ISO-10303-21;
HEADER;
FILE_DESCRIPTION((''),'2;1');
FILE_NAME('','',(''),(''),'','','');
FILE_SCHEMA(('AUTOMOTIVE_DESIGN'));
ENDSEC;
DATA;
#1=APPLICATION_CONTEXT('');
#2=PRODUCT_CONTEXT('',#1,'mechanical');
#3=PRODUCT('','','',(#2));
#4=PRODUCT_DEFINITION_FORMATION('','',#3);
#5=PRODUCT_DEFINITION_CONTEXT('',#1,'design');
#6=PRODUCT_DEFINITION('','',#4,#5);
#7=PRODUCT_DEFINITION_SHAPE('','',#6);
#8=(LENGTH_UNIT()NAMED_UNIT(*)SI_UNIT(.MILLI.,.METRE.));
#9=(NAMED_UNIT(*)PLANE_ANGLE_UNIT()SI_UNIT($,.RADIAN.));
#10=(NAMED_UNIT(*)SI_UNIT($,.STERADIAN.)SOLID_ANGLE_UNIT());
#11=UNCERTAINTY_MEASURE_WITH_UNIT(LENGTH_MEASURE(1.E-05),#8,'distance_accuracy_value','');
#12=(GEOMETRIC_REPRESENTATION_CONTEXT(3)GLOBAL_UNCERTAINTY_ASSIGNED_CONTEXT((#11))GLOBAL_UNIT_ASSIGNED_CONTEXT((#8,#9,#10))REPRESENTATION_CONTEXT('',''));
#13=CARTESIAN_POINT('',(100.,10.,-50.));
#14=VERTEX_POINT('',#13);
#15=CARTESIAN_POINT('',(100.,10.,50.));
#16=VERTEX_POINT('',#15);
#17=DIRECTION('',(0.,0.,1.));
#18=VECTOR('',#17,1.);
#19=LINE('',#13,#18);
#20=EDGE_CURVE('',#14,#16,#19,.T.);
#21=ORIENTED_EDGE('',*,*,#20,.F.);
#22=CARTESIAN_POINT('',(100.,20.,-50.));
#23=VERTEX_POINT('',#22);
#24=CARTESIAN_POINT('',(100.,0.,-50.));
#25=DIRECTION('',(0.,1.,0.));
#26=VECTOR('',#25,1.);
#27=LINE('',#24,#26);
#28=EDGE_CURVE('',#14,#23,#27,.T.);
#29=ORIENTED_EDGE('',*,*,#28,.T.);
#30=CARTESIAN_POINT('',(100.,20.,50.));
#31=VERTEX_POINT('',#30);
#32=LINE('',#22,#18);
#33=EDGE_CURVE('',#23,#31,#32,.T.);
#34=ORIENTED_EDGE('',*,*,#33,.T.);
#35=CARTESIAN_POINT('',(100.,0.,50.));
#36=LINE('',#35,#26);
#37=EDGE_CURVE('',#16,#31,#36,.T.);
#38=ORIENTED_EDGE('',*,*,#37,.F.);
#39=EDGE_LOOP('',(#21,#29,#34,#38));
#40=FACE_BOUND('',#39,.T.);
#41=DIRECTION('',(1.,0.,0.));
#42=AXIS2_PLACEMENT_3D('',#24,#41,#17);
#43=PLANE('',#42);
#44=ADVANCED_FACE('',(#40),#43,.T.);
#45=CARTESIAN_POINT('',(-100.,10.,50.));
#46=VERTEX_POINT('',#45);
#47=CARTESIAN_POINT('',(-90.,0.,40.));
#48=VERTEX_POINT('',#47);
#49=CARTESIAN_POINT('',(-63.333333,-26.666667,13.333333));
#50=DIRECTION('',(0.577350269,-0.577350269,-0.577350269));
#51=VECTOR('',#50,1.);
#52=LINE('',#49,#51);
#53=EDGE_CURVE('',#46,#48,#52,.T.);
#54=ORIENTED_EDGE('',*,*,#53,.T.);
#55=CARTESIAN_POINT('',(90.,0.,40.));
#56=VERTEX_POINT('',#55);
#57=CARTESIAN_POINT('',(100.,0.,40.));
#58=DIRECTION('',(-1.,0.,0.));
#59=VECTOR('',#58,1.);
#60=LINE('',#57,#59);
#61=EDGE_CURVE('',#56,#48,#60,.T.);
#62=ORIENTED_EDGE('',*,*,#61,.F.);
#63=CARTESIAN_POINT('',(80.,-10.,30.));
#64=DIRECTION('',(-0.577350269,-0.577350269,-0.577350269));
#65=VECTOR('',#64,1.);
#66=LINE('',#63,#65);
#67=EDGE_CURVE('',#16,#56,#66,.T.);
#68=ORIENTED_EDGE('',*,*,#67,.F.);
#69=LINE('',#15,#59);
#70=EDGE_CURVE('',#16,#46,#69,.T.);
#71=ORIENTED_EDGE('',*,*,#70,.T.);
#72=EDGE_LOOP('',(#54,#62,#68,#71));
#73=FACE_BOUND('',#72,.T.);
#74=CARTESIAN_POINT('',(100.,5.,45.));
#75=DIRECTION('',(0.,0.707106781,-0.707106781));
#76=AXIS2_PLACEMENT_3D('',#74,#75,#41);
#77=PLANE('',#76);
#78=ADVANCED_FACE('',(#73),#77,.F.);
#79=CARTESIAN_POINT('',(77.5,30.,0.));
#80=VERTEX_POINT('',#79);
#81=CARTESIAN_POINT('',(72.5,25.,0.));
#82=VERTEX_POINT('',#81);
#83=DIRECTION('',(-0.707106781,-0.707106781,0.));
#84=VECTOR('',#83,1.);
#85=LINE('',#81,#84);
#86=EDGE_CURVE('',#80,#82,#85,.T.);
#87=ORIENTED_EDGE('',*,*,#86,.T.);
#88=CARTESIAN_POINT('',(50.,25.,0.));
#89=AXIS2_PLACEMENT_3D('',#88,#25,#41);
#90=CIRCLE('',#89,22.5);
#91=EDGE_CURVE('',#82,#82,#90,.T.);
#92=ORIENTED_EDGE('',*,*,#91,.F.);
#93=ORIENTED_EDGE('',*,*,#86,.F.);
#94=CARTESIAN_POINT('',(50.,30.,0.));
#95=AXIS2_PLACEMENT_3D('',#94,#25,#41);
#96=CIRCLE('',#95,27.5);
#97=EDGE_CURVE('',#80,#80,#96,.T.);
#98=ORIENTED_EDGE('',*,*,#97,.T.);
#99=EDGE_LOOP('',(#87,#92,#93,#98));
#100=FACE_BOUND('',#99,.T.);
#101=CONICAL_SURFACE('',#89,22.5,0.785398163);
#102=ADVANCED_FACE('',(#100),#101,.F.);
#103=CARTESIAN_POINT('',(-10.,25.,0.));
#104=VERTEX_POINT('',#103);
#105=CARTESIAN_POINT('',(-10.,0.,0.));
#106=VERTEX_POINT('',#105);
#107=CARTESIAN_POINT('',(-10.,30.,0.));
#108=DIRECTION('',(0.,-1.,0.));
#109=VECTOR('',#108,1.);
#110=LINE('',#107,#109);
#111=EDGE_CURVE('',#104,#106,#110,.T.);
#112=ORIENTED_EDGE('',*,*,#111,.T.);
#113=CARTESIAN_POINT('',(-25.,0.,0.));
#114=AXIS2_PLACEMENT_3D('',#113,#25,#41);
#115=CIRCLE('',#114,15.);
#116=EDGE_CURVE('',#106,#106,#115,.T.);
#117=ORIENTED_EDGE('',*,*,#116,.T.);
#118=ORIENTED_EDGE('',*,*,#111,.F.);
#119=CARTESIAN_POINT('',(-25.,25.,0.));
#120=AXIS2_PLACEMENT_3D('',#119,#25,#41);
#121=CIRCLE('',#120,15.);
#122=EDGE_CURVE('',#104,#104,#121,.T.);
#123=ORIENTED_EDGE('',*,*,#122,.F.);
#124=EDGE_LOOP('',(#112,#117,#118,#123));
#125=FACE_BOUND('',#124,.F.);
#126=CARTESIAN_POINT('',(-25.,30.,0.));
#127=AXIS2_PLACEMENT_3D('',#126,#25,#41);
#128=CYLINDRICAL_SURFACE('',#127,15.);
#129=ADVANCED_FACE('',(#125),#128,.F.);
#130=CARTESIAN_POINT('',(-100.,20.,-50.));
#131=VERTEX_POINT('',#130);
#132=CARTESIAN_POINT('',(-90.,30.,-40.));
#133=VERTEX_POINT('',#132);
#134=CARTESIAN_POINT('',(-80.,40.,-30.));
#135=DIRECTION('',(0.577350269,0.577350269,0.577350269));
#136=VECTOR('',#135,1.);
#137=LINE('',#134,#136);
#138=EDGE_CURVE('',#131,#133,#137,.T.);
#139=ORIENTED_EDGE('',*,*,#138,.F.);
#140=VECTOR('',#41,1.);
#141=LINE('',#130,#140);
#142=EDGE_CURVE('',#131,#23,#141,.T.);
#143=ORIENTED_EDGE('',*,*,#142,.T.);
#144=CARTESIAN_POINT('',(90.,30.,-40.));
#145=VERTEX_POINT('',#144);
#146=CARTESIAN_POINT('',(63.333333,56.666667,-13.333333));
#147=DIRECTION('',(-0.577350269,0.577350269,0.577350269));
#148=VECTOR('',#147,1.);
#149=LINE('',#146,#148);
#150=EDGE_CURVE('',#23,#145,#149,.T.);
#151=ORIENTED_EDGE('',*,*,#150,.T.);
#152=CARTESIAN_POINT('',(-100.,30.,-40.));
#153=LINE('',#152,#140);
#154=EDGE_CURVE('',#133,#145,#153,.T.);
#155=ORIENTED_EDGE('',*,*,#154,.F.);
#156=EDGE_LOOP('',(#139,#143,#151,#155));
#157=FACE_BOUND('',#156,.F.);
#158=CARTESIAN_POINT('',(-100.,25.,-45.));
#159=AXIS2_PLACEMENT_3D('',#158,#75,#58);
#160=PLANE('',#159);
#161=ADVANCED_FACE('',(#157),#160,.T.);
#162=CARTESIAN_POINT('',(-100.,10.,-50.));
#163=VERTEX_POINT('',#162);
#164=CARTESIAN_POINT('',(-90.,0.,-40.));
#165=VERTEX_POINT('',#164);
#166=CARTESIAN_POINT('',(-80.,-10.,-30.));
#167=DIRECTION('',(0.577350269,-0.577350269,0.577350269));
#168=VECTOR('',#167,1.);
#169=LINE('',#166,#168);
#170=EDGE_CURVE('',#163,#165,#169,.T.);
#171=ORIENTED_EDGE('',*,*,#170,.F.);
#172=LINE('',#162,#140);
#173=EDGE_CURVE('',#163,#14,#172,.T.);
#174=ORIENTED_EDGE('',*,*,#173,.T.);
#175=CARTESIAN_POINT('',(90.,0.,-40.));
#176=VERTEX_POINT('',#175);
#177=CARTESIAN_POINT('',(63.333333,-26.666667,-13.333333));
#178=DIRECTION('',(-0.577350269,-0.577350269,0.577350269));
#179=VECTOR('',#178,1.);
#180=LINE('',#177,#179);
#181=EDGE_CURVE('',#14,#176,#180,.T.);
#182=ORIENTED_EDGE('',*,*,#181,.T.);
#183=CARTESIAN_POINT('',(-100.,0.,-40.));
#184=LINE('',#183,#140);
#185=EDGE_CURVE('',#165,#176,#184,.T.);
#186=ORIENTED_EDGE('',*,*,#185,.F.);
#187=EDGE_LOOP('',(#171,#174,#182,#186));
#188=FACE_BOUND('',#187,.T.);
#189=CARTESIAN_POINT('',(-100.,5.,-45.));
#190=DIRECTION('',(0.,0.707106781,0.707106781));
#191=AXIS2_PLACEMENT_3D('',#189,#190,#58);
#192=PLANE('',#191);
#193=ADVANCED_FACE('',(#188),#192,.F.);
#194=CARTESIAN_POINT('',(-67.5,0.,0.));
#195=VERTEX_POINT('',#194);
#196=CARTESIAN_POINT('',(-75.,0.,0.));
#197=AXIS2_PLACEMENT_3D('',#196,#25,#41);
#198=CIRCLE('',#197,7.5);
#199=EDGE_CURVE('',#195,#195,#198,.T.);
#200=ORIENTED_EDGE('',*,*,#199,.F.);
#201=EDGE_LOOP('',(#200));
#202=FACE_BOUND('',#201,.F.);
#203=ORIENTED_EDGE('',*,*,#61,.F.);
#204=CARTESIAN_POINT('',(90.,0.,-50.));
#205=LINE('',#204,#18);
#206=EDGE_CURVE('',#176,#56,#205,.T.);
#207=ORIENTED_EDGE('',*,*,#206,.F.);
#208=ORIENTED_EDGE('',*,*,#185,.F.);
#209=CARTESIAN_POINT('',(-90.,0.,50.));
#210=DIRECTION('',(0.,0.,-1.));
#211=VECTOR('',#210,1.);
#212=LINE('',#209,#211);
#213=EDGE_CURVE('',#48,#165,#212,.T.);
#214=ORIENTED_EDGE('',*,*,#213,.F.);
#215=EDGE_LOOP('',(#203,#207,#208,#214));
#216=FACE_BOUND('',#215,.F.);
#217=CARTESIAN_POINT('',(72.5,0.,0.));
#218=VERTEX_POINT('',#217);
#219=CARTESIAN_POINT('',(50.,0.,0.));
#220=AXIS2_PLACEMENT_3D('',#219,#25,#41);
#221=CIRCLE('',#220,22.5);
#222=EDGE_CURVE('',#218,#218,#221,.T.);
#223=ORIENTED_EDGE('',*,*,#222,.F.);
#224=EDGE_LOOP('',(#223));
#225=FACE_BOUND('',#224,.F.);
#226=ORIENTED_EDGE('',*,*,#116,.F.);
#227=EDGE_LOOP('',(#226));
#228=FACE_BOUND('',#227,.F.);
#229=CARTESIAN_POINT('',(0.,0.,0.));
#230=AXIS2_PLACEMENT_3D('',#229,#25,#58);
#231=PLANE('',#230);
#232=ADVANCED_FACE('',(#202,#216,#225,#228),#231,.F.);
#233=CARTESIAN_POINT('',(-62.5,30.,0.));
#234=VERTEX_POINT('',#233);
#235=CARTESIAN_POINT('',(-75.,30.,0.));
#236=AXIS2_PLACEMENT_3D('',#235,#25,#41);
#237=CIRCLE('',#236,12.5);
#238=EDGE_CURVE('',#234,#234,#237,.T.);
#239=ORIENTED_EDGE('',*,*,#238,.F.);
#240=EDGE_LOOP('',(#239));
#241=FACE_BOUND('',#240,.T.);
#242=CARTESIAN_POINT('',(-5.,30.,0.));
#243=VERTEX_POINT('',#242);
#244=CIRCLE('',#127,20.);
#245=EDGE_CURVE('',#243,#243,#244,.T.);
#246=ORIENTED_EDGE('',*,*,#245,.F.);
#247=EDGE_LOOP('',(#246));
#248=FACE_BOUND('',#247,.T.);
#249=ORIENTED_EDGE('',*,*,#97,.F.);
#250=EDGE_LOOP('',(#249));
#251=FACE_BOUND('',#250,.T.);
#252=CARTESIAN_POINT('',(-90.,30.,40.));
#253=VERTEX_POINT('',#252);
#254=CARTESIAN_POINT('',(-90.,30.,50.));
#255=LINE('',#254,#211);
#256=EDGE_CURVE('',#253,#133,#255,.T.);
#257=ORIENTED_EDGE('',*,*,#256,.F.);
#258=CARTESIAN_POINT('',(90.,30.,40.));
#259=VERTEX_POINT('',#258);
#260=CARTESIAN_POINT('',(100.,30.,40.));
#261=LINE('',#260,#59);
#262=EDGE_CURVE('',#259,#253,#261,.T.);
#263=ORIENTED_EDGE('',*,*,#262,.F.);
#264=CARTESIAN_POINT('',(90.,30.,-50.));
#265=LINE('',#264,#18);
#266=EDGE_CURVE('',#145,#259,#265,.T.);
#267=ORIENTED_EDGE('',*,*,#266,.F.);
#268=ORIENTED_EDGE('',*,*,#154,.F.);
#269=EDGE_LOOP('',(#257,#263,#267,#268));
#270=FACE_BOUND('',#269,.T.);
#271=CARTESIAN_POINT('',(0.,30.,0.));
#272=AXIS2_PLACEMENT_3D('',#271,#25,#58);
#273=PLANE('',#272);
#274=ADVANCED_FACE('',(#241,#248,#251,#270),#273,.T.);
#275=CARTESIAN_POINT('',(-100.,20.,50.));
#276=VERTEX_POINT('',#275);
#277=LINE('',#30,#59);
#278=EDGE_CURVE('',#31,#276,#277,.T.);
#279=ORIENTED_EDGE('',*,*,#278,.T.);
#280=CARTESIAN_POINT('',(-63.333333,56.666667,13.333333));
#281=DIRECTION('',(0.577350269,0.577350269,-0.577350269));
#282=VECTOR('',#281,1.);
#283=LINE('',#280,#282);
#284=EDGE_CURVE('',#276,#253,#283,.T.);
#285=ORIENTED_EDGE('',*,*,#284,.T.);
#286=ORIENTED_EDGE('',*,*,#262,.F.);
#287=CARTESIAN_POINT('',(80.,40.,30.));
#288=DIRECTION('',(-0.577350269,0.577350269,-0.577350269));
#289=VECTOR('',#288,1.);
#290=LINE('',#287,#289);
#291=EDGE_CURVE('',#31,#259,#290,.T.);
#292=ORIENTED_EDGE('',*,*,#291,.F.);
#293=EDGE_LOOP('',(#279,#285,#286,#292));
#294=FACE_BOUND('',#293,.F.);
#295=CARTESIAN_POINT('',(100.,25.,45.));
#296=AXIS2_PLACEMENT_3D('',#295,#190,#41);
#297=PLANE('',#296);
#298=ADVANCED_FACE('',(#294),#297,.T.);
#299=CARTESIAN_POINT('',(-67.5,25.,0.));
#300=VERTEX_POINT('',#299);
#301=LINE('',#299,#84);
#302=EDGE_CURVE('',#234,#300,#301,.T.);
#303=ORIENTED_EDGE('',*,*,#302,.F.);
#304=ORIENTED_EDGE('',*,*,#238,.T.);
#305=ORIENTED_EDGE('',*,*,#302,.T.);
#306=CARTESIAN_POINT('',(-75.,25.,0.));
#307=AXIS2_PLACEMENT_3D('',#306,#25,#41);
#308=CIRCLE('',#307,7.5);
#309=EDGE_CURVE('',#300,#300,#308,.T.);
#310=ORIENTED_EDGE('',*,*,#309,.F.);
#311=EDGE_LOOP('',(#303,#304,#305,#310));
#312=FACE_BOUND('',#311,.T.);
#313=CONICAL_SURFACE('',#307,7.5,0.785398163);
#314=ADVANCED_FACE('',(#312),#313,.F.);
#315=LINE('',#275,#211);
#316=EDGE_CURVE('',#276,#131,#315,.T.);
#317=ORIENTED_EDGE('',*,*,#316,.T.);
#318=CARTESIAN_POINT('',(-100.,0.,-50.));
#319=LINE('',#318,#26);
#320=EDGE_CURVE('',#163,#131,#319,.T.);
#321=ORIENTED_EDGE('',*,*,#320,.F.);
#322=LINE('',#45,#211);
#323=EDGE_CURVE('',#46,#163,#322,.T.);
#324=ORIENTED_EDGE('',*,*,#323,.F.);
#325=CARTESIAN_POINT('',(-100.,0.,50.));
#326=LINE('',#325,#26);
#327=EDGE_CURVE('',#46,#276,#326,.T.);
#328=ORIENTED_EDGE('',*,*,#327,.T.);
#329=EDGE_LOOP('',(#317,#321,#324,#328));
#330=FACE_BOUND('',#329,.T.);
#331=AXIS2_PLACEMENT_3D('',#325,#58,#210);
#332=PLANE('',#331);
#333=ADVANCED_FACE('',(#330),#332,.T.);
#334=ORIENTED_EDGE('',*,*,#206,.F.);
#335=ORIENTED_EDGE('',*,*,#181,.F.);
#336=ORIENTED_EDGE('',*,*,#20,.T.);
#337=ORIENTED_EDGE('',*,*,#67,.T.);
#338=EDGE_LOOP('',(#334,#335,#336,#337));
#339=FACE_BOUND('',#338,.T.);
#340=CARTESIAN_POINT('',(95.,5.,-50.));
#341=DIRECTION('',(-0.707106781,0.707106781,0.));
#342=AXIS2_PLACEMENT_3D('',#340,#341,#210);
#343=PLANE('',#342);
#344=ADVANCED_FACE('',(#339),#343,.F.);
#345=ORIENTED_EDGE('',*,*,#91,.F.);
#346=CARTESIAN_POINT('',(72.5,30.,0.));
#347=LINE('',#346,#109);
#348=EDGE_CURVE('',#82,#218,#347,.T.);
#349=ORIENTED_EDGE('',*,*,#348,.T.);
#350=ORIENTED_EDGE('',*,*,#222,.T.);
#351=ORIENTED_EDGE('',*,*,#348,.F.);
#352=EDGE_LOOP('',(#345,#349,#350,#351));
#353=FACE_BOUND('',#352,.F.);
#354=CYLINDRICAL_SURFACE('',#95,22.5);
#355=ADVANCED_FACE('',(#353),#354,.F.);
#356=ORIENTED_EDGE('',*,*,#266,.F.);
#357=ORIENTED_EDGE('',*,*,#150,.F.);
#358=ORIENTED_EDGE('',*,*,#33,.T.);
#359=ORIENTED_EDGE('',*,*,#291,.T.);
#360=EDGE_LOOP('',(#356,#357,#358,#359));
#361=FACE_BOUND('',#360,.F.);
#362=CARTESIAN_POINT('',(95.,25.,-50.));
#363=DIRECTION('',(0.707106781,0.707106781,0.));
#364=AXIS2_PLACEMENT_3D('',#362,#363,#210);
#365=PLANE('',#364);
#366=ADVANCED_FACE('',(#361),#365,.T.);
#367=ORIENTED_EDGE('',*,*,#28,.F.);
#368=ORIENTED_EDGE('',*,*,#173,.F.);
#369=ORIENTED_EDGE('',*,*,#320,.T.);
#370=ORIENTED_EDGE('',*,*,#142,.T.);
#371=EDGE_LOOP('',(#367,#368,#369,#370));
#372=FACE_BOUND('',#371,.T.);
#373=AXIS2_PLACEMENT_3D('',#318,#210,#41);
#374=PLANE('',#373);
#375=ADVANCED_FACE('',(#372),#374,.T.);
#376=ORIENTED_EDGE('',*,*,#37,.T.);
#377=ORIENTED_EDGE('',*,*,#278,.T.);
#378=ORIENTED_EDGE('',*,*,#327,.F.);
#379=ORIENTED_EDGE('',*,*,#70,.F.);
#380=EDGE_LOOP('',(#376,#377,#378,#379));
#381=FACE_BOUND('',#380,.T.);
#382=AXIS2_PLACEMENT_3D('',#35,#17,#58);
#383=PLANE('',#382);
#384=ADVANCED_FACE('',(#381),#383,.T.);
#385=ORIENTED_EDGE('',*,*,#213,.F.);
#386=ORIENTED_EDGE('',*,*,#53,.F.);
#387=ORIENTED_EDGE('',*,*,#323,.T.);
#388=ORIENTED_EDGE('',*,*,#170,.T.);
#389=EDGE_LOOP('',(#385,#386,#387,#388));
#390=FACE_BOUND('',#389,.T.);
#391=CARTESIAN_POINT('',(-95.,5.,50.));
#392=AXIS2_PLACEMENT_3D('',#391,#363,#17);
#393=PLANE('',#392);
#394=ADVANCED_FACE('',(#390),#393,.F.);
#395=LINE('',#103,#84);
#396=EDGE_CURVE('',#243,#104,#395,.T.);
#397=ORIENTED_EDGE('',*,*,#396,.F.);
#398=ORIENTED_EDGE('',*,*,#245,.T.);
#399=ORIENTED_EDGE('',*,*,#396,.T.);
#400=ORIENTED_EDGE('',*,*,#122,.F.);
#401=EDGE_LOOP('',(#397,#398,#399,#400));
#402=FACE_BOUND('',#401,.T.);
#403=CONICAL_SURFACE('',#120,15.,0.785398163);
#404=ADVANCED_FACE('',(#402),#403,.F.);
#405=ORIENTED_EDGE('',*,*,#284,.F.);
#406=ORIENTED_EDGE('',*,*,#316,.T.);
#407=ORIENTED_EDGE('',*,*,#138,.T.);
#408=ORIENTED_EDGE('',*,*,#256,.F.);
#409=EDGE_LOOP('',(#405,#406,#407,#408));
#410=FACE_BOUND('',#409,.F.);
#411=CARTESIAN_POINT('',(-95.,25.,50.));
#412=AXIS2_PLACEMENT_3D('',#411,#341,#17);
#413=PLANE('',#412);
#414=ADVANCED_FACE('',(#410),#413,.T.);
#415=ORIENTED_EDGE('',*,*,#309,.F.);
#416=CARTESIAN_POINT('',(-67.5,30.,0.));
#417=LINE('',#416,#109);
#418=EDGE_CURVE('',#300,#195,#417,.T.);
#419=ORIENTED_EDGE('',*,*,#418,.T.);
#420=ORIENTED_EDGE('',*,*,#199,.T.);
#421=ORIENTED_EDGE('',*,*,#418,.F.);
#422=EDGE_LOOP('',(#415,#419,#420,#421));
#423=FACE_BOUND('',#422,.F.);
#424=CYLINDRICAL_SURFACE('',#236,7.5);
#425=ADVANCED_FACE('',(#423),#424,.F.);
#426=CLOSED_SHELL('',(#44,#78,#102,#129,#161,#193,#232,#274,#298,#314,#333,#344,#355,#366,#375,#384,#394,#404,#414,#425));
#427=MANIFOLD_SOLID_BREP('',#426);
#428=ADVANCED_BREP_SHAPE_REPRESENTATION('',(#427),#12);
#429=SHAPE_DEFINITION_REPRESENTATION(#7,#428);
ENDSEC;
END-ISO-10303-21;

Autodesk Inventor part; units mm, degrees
ref_plane "YZ Plane" through (0, 0, 0) normal (1, 0, 0) x (0, 1, 0)
ref_plane "XZ Plane" through (0, 0, 0) normal (0, 1, 0) x (-1, 0, 0)
ref_plane "XY Plane" through (0, 0, 0) normal (0, 0, 1) x (1, 0, 0)
sketch "草圖1" plane through (0, 0, 0) normal (0, 1, 0) x (-1, 0, 0)
  line L0 (100, -50) -> (-100, -50)
  line L1 (-100, -50) -> (-100, 50)
  line L2 (-100, 50) -> (100, 50)
  line L3 (100, 50) -> (100, -50)
  point P0 (0, 0)
  point P1 (0, -50)
  point P2 (-100, 0)
  dimension "d0" = 100
  dimension "d1" = 200
extrude "擠出1" add sketch "草圖1" along normal blind 30
chamfer "倒角1" distance 10 angle 45 8 edges at (0, 30, 50) (0, 0, 50) (-100, 30, 0) (-100, 0, 0) (0, 30, -50) (100, 30, 0) (100, 0, 0) (0, 0, -50)
sketch "草圖2" plane through (0, 30, 0) normal (0, 1, 0) x (1, 0, 0)
  line L0 (-100, 50) -> (-100, -50) projected
  circle A0 centre (-75, 0) radius 7.5
  circle A1 centre (-25, 0) radius 15
  circle A2 centre (50, 0) radius 22.5
  point P0 (0, 0)
  point P1 (-100, 0)
  dimension "d7" = 15
  dimension "d8" = 30
  dimension "d9" = 45
  dimension "d10" = 25
  dimension "d11" = 75
  dimension "d12" = 75
extrude "擠出2" cut sketch "草圖2" against normal through all
chamfer "倒角2" distance 5 angle 45 3 edges at (-82.5, 30, 0) (-40, 30, 0) (27.5, 30, 0)
properties part number "2-2-1"
